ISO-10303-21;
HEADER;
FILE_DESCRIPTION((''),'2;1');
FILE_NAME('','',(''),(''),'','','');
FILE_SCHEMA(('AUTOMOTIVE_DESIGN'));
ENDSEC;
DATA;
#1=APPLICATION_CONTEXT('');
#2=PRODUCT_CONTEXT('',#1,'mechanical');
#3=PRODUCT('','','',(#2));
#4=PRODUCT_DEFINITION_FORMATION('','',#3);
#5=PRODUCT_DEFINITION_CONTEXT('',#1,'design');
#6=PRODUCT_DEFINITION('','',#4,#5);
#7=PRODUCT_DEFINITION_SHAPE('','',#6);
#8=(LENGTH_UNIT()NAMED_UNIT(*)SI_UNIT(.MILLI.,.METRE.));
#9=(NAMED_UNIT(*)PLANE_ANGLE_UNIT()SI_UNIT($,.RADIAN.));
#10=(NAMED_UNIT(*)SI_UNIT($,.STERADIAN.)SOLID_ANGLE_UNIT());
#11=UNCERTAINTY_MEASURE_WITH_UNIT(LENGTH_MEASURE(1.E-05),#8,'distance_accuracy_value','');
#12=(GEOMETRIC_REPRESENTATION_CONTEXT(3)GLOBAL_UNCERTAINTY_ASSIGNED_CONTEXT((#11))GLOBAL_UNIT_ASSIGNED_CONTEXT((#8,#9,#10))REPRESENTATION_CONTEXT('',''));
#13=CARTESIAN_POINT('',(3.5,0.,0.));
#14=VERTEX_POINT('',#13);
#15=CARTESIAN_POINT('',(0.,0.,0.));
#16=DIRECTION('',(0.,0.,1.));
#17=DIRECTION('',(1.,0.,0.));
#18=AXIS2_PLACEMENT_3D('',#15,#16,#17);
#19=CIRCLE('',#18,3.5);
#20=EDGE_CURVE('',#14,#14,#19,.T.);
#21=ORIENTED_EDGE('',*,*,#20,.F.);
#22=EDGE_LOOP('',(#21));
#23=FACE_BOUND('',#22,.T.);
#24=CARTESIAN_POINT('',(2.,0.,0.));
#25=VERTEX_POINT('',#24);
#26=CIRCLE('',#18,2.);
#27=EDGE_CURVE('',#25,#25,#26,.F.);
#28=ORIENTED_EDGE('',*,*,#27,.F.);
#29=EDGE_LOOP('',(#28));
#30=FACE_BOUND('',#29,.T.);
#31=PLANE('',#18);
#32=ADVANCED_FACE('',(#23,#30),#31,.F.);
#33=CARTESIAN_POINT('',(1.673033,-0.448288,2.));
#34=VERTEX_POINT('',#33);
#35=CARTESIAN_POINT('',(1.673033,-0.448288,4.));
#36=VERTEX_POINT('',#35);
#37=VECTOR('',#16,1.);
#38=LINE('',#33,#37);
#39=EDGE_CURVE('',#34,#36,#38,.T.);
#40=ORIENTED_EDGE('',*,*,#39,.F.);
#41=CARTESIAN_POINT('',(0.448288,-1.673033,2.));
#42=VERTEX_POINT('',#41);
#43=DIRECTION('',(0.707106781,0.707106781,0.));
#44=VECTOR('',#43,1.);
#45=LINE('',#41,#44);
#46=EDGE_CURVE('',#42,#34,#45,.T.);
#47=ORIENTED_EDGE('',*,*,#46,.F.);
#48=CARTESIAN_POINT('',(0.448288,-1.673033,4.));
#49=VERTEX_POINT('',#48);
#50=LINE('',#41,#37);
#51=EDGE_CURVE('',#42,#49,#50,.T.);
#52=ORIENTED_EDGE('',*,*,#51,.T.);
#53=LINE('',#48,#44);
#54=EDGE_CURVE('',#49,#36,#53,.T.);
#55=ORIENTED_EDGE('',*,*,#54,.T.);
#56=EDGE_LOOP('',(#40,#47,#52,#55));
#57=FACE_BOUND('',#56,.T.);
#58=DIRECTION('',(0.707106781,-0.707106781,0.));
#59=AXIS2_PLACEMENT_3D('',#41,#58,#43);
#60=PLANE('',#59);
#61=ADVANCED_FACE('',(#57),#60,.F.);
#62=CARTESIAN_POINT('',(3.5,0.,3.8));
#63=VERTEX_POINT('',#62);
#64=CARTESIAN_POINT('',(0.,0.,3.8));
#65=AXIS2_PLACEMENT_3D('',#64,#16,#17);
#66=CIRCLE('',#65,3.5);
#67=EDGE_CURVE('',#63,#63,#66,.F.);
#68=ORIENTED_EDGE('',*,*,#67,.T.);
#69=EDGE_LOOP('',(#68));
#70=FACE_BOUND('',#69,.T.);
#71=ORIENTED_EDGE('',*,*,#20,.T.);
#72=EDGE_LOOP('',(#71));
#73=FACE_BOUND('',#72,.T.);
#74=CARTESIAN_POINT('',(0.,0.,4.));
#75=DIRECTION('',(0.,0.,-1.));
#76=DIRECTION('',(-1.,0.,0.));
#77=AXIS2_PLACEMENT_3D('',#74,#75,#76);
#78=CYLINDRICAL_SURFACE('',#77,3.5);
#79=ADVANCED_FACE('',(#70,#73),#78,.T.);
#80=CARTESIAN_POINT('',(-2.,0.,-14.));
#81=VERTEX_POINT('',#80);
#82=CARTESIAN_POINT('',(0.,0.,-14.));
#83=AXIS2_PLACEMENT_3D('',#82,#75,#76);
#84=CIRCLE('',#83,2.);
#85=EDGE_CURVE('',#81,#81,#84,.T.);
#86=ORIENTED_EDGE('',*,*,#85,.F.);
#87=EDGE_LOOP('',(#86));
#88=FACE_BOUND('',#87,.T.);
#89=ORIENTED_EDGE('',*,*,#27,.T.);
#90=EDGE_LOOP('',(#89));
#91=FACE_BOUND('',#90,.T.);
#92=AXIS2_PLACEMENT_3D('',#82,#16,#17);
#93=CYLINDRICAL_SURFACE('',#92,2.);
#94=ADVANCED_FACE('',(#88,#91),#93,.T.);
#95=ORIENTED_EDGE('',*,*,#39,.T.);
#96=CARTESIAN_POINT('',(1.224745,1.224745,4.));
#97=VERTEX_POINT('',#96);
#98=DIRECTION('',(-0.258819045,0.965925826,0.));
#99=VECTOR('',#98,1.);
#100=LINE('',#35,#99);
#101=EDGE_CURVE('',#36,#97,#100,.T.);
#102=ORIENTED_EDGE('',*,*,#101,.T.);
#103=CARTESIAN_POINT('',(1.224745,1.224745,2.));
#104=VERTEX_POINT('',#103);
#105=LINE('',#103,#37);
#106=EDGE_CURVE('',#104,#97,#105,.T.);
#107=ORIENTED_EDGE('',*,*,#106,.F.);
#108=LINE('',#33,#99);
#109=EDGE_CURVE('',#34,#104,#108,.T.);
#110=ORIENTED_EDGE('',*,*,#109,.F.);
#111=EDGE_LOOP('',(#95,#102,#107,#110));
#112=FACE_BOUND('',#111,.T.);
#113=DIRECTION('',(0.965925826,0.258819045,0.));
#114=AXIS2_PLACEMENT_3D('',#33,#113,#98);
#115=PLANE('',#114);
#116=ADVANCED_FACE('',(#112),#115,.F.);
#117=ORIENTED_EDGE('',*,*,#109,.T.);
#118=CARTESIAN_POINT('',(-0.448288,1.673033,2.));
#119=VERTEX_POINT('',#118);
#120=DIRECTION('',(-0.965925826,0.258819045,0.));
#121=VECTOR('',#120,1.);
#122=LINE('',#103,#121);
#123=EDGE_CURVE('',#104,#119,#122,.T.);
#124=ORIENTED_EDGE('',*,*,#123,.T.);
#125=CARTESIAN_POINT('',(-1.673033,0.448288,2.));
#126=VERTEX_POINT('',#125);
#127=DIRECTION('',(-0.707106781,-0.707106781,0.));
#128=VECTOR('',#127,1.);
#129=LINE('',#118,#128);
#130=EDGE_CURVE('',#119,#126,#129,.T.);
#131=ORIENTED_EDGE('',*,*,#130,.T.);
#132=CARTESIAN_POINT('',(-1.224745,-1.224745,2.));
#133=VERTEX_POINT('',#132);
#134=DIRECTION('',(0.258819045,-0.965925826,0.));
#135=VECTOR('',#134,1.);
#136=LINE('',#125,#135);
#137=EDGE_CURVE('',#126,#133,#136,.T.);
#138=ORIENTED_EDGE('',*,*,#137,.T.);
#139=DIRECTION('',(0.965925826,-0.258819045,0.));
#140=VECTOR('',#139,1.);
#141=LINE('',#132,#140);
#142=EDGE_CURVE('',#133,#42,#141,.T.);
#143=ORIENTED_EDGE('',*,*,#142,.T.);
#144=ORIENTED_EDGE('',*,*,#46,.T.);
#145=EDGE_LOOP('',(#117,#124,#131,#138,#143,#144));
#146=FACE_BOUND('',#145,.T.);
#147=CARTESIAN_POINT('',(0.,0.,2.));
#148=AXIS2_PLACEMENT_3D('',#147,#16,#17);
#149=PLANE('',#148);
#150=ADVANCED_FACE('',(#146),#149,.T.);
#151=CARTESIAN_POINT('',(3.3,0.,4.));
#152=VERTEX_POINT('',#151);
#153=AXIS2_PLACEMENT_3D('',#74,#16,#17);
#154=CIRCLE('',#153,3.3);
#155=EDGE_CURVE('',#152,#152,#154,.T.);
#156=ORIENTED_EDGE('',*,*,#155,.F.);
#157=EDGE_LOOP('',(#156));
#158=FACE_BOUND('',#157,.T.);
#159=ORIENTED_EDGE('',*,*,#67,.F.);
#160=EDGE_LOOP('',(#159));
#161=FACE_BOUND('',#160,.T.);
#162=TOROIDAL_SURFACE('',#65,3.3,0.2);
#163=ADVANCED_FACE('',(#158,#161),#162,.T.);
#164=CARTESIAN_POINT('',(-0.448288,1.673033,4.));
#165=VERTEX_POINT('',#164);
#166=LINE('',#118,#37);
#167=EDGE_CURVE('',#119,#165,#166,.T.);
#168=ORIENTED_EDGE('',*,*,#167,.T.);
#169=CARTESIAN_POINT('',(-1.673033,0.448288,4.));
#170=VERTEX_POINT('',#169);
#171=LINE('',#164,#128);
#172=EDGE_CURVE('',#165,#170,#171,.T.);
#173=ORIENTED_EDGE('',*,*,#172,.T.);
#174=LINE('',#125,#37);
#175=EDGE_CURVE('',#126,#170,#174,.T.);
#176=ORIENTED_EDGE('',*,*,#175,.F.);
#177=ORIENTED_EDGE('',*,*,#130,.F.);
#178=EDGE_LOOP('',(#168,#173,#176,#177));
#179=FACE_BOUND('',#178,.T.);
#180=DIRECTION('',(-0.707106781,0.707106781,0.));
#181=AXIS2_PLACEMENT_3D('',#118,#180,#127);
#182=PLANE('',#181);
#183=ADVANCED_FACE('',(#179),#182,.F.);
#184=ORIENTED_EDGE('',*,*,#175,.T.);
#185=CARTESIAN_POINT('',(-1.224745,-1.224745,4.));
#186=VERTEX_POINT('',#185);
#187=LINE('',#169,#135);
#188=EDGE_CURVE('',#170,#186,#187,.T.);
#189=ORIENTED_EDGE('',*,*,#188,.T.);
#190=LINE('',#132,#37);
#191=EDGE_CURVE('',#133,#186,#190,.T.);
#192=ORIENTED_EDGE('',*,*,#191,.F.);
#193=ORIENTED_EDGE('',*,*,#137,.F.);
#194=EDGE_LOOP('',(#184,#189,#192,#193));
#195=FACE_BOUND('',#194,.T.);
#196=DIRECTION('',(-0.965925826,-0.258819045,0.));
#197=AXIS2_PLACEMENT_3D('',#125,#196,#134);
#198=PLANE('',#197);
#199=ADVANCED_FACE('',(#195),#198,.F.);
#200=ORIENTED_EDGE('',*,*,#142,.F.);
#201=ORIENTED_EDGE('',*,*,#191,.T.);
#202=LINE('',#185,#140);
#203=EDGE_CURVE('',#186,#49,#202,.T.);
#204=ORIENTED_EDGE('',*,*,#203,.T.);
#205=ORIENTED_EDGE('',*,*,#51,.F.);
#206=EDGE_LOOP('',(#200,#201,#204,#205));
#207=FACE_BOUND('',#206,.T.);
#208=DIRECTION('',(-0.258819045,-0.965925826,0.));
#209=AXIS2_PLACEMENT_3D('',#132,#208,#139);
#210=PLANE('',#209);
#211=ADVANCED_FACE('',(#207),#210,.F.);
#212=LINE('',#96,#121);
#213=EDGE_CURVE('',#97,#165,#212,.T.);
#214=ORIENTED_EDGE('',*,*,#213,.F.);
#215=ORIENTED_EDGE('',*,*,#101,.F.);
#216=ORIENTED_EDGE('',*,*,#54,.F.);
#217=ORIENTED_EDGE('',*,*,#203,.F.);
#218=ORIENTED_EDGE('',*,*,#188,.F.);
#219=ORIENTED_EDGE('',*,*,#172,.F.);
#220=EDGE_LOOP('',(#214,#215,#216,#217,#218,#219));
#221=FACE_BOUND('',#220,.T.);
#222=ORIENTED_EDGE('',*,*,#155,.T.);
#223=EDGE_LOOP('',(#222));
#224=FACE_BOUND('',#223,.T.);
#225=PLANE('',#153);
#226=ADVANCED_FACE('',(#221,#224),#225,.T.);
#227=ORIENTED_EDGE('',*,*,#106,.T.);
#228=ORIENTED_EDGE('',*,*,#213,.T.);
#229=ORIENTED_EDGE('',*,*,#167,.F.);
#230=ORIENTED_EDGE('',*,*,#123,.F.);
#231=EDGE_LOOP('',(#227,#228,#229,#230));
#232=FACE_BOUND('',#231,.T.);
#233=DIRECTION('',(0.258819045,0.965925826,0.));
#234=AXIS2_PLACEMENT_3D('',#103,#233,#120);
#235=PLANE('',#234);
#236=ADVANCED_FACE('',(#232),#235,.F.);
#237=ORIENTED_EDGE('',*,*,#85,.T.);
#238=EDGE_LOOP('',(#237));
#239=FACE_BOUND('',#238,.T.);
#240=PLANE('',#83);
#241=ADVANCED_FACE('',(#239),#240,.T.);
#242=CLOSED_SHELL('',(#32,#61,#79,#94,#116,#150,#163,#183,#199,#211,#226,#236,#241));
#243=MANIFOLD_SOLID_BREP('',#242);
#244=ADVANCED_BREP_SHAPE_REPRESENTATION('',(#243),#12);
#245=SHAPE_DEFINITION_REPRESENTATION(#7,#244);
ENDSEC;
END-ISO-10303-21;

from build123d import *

# Parameters (mm, degrees)
SKETCH_1_R          = 3.5
EXTRUDE_1_DEPTH     = 4
CUT_EXTRUDE_1_DEPTH = 2
SKETCH_3_R          = 2
EXTRUDE_2_DEPTH     = 14
FILLET_1_R          = 0.2


with BuildPart() as part:
    # 草图1 → 凸台-拉伸1 (new body)
    with BuildSketch(Plane.XY):
        Circle(SKETCH_1_R)
    extrude(amount=EXTRUDE_1_DEPTH)

    # 草图2 → 切除-拉伸1 (cut)
    with BuildSketch(Plane.XY.offset(4)):
        Polygon((-1.224744871, -1.224744871), (0.448287736, -1.673032607), (1.673032607, -0.448287736), (1.224744871, 1.224744871), (-0.448287736, 1.673032607), (-1.673032607, 0.448287736), align=None)
    extrude(amount=-CUT_EXTRUDE_1_DEPTH, mode=Mode.SUBTRACT)

    # 草图3 → 凸台-拉伸2 (add)
    with BuildSketch(Plane(origin=(0, 0, 0), x_dir=(-1, 0, 0), z_dir=(0, 0, -1))):
        with Locations(Location((0, 0, 0), (0, 0, 180))):
            Circle(SKETCH_3_R)
    extrude(amount=EXTRUDE_2_DEPTH)

    # 圆角1
    fillet_1_edges = [part.edges().sort_by_distance(p)[0] for p in [
        (-3.5, 0, 4),
    ]]
    fillet(fillet_1_edges, radius=FILLET_1_R)


solid = part.part
